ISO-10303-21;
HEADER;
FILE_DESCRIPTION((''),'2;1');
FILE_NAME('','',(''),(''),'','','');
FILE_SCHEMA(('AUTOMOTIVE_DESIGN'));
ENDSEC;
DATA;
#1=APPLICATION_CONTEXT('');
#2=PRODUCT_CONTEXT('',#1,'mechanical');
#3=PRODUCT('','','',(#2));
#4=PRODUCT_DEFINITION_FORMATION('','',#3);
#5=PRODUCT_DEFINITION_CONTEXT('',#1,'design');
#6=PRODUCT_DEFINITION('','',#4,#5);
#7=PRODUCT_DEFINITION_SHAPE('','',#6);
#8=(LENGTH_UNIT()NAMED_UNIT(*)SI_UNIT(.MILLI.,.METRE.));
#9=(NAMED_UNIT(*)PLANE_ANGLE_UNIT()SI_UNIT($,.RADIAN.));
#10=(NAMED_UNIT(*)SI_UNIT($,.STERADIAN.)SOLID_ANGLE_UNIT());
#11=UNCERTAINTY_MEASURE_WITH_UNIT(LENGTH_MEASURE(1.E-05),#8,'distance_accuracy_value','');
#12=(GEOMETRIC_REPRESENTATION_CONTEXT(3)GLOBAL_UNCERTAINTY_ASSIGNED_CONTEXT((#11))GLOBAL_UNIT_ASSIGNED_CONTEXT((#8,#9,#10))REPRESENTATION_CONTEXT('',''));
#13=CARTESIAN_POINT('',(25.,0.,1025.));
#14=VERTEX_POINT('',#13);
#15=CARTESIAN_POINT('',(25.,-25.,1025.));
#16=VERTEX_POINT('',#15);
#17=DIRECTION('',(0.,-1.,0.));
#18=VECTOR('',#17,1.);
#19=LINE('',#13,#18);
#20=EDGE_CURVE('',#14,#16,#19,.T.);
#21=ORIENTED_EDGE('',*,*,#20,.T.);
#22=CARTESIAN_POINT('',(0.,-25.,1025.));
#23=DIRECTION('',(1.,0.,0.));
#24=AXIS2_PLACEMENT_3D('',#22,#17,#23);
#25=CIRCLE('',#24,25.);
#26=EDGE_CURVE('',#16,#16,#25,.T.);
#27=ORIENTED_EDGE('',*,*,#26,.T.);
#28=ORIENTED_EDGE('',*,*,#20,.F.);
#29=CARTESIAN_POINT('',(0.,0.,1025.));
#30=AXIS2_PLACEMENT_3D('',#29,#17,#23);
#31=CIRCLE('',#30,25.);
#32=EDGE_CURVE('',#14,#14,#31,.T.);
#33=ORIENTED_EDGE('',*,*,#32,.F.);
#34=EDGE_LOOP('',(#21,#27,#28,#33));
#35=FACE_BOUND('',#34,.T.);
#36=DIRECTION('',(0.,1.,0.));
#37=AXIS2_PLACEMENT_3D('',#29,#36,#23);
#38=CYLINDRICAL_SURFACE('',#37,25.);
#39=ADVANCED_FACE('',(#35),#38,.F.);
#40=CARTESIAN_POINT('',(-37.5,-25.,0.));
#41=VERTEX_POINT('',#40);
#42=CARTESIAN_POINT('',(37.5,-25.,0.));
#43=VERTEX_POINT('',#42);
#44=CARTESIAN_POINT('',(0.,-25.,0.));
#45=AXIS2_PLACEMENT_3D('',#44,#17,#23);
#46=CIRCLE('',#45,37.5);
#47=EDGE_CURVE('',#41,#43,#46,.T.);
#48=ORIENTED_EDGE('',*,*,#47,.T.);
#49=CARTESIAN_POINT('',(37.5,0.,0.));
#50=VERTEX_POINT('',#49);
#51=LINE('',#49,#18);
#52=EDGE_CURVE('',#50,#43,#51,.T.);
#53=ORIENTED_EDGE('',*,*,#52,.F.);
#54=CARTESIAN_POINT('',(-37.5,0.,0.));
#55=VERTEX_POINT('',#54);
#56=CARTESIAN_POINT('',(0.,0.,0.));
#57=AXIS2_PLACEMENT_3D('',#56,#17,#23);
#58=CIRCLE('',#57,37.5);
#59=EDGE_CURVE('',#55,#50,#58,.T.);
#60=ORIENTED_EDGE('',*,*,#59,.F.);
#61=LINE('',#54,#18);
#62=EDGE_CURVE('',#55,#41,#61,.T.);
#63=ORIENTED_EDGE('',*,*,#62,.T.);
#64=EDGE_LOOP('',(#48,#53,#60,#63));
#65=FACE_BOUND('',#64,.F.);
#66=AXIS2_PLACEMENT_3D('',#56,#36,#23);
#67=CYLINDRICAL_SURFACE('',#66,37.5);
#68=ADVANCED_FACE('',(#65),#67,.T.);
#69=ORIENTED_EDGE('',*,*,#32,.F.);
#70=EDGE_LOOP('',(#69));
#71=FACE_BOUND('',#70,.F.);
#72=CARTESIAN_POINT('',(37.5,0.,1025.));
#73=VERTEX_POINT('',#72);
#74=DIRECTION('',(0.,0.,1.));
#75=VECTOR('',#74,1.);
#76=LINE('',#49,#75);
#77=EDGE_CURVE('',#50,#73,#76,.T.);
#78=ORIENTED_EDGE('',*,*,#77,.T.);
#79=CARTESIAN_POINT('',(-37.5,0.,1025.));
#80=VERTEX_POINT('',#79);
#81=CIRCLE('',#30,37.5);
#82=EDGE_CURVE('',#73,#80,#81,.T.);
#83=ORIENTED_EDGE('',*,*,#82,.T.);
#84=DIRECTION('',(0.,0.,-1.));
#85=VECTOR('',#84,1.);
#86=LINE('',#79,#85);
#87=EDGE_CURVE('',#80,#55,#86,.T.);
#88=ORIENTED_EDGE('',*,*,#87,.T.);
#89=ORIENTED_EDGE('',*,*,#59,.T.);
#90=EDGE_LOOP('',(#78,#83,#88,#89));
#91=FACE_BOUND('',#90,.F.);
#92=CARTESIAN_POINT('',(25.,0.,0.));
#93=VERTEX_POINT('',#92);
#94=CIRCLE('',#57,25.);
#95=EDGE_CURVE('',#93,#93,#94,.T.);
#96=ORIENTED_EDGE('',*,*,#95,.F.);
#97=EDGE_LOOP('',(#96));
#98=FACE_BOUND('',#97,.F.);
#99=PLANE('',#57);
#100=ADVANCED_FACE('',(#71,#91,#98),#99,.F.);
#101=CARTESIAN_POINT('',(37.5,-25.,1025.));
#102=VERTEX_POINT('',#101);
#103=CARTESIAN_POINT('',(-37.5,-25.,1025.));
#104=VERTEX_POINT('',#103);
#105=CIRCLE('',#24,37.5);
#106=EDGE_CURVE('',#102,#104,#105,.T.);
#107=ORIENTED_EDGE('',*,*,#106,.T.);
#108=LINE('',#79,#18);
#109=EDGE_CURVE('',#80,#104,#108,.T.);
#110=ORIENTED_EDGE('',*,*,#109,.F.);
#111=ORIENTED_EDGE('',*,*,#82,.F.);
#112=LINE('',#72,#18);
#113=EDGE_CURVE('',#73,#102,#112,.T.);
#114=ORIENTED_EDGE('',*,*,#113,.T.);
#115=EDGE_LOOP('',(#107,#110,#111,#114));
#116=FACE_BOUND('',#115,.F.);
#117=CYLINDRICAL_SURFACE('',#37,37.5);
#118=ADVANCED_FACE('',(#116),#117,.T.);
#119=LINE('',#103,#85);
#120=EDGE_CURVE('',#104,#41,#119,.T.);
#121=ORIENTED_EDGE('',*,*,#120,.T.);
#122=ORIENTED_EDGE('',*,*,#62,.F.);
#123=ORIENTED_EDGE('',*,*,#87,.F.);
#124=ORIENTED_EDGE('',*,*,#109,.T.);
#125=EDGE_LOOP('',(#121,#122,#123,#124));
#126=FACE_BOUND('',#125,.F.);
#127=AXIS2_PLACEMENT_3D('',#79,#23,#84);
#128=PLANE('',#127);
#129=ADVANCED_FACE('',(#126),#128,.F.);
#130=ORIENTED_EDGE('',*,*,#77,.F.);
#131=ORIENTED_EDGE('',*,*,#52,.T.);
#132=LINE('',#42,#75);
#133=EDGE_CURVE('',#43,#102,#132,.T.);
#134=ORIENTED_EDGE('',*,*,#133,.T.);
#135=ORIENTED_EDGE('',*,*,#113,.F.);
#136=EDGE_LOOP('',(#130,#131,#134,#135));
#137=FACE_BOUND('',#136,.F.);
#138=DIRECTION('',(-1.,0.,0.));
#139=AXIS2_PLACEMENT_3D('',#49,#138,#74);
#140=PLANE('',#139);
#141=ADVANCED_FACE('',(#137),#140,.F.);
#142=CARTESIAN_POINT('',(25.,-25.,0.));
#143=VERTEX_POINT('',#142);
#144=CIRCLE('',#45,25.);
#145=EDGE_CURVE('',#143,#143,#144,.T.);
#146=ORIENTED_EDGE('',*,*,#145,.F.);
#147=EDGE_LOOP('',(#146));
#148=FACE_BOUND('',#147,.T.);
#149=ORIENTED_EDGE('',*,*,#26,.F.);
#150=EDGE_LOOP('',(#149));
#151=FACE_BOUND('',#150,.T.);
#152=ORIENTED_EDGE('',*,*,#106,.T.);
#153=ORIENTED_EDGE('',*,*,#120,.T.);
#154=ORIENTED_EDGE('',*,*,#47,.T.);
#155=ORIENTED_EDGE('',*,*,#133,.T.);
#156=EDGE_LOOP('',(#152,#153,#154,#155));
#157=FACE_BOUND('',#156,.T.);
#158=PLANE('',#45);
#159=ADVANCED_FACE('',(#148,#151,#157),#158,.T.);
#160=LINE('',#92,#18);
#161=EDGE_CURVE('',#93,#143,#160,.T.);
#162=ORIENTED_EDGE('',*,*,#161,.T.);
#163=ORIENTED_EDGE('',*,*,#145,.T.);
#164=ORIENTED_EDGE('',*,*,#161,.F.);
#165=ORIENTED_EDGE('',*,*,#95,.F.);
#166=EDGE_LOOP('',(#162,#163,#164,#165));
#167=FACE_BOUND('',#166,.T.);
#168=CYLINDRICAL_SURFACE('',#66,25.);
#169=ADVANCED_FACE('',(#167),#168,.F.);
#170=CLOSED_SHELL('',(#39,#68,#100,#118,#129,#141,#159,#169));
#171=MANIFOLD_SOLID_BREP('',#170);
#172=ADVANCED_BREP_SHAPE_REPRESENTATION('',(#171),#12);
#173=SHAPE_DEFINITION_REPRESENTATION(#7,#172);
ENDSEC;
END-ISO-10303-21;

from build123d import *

# Parameters (mm, degrees)
F0_R     = 25
F1_DEPTH = 25


with BuildPart() as f1:
    # F0 (on Front) → F1 (new body)
    with BuildSketch(Plane.XZ):
        with BuildLine():
            ThreePointArc((-37.5, 0), (0, -37.5), (37.5, 0))
            ThreePointArc((37.5, 0), (0, 37.5), (-37.5, 0))
        make_face()
        Circle(F0_R, mode=Mode.SUBTRACT)
        with BuildLine():
            ThreePointArc((-37.5, 1025), (0, 987.5), (37.5, 1025))
            ThreePointArc((37.5, 1025), (0, 1062.5), (-37.5, 1025))
        make_face()
        with Locations((0, 1025)):
            Circle(F0_R, mode=Mode.SUBTRACT)
        with BuildLine():
            ThreePointArc((-37.5, 0), (0, 37.5), (37.5, 0))
            Line((37.5, 0), (37.5, 1025))
            ThreePointArc((37.5, 1025), (0, 987.5), (-37.5, 1025))
            Line((-37.5, 1025), (-37.5, 0))
        make_face()
    extrude(amount=F1_DEPTH)


solid = f1.part
